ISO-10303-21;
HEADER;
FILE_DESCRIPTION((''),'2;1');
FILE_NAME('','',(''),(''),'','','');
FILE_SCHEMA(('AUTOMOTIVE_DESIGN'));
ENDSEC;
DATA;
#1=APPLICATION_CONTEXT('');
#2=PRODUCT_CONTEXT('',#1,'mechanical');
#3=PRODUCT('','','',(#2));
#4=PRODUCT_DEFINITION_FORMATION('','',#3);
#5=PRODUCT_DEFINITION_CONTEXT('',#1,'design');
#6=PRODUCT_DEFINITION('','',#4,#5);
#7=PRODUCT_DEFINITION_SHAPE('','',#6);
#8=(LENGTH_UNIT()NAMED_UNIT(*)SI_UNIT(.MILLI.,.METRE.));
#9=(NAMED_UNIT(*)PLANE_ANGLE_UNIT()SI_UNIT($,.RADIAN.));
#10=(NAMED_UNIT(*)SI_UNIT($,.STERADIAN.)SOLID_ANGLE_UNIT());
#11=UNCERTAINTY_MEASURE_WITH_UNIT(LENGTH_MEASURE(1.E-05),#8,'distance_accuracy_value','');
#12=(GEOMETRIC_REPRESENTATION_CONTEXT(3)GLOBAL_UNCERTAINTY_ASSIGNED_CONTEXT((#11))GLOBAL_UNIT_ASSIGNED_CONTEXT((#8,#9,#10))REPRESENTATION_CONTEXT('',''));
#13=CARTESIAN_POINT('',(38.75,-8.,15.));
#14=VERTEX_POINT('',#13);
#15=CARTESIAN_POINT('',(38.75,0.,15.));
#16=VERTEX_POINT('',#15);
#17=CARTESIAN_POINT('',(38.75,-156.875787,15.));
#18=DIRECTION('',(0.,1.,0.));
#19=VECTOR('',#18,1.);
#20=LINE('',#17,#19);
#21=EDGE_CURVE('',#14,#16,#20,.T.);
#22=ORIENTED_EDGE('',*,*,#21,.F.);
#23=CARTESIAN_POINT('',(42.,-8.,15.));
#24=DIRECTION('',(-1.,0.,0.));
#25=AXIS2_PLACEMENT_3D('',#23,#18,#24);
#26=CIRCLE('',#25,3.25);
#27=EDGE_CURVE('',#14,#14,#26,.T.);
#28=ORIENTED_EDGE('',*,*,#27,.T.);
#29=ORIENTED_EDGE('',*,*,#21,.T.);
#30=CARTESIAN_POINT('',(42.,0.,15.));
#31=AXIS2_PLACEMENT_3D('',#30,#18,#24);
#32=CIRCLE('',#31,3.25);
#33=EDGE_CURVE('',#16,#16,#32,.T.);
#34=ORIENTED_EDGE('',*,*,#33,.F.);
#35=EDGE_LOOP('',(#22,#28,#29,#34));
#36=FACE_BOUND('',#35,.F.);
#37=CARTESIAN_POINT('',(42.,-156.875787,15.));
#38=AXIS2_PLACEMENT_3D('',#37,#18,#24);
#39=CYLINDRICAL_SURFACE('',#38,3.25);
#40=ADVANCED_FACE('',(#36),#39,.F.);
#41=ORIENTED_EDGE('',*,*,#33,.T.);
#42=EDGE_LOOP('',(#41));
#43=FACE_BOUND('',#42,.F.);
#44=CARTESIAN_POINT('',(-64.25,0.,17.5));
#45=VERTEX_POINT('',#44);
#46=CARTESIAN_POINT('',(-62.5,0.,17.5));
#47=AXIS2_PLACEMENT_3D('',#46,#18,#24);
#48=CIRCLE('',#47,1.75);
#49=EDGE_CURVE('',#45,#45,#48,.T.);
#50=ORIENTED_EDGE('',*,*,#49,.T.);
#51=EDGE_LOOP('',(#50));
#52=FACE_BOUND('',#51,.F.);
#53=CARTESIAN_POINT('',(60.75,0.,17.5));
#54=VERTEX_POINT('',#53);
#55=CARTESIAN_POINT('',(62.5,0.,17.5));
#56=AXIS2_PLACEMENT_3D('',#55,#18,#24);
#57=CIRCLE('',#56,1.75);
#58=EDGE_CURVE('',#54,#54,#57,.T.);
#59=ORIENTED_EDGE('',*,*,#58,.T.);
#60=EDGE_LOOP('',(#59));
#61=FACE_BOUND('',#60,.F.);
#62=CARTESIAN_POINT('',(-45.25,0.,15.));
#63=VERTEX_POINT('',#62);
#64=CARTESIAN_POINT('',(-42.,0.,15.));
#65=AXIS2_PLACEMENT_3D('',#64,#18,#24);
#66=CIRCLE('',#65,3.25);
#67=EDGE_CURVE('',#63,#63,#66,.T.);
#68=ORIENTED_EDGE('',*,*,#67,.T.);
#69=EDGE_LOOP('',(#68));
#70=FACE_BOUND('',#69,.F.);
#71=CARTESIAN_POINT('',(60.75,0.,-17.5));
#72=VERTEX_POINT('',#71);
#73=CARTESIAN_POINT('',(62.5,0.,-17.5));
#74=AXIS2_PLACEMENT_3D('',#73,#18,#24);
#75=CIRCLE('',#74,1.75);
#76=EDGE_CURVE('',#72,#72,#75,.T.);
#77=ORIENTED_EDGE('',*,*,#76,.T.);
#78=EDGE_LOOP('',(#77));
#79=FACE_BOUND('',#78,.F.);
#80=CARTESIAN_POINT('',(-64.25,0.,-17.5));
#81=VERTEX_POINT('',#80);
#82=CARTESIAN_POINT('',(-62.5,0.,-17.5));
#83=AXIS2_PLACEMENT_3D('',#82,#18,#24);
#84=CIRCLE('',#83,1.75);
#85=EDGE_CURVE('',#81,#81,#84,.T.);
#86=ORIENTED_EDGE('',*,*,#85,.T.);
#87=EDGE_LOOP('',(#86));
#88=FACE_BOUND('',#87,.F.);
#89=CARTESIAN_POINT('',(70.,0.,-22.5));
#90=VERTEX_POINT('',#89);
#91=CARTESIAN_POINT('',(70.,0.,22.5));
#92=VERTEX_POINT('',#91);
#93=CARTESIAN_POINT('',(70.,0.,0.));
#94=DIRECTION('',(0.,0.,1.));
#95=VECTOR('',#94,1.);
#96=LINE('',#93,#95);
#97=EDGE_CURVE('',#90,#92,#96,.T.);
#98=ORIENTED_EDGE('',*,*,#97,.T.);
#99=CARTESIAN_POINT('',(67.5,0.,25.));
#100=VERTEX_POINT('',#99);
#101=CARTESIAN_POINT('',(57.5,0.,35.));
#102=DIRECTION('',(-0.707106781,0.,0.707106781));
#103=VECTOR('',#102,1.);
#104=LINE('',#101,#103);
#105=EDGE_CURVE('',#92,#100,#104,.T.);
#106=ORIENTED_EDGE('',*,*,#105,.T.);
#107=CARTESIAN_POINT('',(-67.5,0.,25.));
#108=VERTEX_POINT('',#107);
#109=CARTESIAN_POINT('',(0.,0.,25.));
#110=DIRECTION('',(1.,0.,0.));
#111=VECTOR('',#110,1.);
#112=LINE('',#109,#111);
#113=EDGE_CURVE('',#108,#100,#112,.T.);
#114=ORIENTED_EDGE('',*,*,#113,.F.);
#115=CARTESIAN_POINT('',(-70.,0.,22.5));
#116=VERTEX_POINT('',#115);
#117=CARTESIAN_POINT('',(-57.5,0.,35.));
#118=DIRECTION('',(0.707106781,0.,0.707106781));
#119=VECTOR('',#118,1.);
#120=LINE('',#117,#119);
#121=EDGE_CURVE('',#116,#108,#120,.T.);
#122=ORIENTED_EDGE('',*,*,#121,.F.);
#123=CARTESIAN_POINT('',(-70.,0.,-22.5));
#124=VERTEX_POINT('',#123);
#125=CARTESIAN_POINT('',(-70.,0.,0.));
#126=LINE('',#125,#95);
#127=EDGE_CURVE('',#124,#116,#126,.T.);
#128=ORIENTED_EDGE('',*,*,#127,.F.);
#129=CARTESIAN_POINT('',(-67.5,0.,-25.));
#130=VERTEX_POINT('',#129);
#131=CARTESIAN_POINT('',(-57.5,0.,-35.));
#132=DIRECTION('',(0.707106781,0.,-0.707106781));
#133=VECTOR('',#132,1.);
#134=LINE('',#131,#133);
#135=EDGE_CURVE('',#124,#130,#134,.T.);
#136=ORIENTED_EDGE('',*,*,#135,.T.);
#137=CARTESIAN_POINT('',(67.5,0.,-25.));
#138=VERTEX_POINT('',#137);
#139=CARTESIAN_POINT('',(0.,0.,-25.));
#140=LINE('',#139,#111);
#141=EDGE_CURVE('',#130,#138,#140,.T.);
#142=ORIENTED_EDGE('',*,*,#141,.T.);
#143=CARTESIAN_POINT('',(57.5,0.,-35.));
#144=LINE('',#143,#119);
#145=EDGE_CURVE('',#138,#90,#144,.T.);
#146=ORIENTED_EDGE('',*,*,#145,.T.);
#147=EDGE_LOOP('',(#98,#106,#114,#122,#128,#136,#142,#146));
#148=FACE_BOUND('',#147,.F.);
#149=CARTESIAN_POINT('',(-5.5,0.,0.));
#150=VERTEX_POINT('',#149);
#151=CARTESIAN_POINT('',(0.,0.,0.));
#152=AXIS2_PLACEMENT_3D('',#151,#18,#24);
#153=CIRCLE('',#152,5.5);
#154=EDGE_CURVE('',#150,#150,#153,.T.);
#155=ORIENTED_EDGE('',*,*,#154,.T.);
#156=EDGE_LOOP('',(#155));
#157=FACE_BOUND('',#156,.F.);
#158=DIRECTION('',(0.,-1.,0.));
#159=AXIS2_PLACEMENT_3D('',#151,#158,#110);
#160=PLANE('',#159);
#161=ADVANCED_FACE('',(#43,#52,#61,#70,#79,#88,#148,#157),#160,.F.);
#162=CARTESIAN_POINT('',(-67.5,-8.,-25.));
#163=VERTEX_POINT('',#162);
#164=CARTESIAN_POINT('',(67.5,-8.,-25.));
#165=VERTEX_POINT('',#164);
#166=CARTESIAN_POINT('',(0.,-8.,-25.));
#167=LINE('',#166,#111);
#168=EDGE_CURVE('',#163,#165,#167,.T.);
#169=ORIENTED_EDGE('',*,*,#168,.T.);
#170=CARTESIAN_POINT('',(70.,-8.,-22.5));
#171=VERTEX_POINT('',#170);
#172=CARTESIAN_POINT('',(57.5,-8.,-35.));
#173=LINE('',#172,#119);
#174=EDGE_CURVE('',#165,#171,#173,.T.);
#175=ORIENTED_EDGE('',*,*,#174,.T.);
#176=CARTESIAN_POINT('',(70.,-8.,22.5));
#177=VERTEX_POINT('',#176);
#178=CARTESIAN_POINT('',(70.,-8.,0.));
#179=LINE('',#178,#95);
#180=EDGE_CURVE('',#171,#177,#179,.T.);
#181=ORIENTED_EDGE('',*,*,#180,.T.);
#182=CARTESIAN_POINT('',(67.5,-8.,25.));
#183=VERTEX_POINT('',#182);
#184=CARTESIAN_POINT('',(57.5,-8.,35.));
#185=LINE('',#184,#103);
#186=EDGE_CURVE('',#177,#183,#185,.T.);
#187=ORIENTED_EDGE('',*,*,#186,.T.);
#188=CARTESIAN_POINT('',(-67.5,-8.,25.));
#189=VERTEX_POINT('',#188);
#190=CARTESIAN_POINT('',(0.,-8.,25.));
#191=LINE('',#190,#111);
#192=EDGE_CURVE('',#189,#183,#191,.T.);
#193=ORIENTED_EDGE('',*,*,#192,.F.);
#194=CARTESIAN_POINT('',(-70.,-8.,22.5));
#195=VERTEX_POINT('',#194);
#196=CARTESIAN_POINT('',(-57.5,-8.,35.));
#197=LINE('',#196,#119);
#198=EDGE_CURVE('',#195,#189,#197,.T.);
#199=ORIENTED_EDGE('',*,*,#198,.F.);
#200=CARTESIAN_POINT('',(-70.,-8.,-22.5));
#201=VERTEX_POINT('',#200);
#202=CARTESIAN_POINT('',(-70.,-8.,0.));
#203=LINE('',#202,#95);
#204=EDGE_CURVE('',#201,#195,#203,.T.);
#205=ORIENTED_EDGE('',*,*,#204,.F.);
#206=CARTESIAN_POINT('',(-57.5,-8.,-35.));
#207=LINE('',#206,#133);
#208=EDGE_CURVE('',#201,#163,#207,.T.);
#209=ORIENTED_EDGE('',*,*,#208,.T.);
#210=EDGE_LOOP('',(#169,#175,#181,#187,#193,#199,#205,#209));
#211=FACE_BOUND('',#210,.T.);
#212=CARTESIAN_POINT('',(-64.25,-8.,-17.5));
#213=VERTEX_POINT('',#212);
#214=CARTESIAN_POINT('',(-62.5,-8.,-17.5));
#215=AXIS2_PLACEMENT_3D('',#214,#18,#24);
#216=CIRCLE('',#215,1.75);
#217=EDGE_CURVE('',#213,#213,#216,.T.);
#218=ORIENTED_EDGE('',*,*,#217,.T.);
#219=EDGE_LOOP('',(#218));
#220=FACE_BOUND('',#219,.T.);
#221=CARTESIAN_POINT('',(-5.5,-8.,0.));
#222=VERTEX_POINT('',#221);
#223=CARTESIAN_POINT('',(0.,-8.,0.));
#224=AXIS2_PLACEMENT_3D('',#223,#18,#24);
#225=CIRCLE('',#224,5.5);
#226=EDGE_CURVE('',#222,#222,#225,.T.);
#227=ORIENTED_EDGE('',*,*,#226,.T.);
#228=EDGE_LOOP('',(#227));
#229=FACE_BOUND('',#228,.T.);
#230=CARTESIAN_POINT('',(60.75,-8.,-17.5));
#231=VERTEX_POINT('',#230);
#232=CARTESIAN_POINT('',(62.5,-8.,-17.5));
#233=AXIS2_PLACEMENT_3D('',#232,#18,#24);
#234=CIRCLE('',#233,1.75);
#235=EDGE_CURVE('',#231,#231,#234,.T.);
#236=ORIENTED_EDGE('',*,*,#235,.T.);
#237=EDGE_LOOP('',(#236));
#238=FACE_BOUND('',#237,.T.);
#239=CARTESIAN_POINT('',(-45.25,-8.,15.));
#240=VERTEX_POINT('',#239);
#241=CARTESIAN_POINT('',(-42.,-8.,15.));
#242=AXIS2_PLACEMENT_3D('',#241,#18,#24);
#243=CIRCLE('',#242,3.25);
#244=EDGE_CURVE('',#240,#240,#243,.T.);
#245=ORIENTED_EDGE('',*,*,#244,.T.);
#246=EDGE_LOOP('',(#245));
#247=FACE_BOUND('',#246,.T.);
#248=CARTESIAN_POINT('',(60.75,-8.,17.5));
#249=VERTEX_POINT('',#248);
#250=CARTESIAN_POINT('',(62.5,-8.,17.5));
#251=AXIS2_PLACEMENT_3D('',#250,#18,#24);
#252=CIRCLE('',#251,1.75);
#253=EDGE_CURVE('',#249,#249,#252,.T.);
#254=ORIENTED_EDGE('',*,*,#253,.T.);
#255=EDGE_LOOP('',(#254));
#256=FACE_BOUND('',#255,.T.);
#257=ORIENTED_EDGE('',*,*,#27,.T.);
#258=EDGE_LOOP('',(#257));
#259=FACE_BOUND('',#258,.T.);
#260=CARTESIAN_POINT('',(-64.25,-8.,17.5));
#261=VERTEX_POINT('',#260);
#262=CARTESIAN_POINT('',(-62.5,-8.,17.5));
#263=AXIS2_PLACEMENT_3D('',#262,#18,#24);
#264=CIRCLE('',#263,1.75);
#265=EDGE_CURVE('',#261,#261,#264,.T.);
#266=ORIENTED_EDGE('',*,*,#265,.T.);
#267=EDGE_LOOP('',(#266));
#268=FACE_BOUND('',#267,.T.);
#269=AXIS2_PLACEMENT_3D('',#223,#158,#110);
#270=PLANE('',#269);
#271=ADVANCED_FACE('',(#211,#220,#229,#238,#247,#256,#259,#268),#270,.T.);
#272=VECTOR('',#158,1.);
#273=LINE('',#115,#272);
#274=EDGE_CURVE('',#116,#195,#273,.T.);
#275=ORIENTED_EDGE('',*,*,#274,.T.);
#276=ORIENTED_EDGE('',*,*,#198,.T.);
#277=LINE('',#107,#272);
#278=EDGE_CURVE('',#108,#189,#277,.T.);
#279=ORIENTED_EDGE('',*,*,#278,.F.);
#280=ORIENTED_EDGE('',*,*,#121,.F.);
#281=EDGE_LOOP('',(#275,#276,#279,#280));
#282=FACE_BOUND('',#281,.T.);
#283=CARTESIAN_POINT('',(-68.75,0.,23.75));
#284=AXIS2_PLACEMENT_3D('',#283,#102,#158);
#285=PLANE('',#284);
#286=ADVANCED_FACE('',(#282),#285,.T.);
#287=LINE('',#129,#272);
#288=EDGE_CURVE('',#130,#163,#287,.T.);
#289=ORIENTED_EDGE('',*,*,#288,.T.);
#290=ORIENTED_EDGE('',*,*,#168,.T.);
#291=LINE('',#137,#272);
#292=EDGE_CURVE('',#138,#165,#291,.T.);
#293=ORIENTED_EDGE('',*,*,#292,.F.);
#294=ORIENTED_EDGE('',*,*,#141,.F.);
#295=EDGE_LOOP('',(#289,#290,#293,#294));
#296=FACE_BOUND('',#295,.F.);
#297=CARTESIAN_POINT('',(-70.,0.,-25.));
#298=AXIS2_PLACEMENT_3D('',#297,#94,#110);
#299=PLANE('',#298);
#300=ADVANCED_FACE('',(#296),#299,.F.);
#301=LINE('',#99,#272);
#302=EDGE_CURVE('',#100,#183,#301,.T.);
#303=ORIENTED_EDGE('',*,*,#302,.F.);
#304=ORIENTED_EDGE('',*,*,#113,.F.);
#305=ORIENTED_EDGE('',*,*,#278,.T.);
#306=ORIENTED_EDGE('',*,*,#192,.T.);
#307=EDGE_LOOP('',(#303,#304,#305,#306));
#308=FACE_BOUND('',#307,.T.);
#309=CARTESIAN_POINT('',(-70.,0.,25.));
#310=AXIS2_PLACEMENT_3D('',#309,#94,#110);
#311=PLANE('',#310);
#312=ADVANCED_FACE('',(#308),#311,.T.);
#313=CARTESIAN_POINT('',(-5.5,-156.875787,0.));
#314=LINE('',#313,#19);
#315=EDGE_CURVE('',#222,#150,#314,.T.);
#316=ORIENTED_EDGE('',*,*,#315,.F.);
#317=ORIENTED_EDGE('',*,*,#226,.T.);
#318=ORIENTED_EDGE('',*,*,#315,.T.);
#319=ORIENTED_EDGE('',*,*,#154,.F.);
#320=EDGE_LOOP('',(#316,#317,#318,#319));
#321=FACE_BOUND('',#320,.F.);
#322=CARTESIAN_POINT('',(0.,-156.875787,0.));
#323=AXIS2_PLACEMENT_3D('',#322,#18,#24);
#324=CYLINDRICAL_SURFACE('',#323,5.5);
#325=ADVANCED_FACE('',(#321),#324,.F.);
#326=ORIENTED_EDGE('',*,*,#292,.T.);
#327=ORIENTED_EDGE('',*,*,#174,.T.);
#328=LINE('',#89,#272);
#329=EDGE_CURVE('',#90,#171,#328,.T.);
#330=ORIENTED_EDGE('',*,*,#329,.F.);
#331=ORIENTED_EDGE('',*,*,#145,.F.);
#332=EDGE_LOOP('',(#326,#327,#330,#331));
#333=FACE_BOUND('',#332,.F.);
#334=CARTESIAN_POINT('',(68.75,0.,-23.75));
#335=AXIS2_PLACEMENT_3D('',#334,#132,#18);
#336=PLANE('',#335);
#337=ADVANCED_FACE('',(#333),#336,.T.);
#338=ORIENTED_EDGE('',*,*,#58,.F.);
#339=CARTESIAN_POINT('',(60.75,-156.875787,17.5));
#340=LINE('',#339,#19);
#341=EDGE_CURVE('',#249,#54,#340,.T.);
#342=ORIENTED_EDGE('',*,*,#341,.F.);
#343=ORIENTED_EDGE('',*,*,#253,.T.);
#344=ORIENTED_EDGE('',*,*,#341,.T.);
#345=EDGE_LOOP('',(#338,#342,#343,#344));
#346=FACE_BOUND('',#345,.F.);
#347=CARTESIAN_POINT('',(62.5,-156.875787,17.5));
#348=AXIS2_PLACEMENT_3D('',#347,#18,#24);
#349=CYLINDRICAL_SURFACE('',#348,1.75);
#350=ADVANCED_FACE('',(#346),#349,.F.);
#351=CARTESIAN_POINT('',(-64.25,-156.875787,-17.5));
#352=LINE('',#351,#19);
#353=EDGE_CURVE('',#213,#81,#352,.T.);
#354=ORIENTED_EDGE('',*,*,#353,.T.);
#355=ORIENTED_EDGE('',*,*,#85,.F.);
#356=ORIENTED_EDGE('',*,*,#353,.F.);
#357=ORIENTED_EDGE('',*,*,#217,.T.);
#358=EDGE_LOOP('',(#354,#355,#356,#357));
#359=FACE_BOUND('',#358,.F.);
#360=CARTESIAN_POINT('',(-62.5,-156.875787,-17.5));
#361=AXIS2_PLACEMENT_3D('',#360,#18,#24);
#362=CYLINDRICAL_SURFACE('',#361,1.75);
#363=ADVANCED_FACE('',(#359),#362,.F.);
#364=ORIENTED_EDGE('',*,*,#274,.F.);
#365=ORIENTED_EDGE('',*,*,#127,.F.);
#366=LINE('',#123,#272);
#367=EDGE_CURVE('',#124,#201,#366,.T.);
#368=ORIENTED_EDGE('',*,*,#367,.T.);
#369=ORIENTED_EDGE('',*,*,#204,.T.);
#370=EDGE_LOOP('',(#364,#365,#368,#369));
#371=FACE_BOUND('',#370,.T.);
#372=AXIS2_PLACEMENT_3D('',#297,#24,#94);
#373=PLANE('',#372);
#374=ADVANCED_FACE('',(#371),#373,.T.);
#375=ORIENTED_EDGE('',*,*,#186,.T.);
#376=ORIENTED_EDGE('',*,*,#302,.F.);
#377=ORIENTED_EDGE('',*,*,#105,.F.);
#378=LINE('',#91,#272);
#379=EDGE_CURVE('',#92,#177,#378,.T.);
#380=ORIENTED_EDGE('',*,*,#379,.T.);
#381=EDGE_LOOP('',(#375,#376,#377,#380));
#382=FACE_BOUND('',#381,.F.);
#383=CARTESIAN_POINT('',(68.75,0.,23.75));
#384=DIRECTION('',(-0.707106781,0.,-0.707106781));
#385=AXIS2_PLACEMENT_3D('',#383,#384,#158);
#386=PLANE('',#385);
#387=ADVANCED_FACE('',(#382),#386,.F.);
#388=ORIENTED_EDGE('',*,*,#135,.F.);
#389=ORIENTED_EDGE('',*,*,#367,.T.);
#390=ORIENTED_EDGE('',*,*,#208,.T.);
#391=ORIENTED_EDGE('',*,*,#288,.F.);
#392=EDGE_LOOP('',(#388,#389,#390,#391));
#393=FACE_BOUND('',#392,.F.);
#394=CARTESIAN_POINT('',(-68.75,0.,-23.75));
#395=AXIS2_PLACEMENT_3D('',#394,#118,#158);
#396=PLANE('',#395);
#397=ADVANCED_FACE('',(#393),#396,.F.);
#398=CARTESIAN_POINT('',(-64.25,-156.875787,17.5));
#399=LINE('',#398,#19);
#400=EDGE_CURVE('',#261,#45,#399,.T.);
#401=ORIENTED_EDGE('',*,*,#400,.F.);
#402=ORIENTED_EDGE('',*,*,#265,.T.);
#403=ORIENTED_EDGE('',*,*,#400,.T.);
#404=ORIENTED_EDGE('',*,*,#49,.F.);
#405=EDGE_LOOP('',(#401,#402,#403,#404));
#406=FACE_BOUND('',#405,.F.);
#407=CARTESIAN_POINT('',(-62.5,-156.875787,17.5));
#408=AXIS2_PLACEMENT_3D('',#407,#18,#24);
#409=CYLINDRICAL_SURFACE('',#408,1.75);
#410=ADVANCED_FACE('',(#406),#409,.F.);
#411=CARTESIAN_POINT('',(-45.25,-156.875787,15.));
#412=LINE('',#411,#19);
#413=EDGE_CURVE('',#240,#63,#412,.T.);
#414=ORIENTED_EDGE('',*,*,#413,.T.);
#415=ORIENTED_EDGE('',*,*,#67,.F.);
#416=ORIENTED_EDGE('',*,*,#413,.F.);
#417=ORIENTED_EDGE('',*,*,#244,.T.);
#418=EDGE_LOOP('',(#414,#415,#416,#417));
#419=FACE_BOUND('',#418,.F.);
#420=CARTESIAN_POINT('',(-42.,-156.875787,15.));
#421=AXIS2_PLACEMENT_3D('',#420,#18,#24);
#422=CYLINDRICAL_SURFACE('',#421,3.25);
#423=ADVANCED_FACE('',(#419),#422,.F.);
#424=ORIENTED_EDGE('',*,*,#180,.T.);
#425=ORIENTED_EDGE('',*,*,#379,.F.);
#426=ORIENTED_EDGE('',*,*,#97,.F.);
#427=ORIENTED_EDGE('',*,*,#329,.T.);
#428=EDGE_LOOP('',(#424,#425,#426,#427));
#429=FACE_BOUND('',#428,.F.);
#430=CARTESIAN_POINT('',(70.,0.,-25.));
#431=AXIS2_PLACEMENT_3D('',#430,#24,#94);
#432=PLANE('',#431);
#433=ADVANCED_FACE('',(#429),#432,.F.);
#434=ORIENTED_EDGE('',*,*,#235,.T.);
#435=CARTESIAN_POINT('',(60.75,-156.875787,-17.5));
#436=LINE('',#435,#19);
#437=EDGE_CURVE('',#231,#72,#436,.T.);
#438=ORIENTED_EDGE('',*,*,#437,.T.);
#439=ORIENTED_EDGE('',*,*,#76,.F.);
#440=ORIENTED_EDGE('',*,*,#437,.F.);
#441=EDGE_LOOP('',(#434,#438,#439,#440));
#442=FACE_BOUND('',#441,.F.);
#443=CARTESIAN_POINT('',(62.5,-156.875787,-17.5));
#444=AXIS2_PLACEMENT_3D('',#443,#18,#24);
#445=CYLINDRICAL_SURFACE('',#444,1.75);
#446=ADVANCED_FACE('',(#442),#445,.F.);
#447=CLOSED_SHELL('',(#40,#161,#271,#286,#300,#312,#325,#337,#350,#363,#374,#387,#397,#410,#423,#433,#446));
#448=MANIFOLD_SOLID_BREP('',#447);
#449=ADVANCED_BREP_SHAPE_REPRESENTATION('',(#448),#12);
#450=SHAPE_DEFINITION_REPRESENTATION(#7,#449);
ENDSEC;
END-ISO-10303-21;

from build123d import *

# Parameters (mm, degrees)
F0_W     = 140
F0_H     = 50
F1_DEPTH = 8
F2_SIZE  = 2.5
F4_D     = 3.5
F5_D     = 6.5
F6_D     = 11


with BuildPart() as f1:
    # F0 (on Front) → F1 (new body)
    with BuildSketch(Plane.XZ):
        Rectangle(F0_W, F0_H)
    extrude(amount=F1_DEPTH)

    # F2
    f2_edges = [f1.edges().sort_by_distance(p)[0] for p in [
        (70, -4, 25),
        (-70, -4, 25),
        (70, -4, -25),
        (-70, -4, -25),
    ]]
    chamfer(f2_edges, length=F2_SIZE)

    # F4 (through all)
    with Locations(Plane.XZ.offset(8)):
        with Locations((62.5, 17.5), (62.5, -17.5), (-62.5, -17.5), (-62.5, 17.5)):
            Hole(F4_D / 2)

    # F5 (through all)
    with Locations(Plane.XZ.offset(8)):
        with Locations((42, 15), (-42, 15)):
            Hole(F5_D / 2)

    # F6 (through all)
    with Locations(Plane.XZ.offset(8)):
        with Locations((0, 0)):
            Hole(F6_D / 2)


solid = f1.part
